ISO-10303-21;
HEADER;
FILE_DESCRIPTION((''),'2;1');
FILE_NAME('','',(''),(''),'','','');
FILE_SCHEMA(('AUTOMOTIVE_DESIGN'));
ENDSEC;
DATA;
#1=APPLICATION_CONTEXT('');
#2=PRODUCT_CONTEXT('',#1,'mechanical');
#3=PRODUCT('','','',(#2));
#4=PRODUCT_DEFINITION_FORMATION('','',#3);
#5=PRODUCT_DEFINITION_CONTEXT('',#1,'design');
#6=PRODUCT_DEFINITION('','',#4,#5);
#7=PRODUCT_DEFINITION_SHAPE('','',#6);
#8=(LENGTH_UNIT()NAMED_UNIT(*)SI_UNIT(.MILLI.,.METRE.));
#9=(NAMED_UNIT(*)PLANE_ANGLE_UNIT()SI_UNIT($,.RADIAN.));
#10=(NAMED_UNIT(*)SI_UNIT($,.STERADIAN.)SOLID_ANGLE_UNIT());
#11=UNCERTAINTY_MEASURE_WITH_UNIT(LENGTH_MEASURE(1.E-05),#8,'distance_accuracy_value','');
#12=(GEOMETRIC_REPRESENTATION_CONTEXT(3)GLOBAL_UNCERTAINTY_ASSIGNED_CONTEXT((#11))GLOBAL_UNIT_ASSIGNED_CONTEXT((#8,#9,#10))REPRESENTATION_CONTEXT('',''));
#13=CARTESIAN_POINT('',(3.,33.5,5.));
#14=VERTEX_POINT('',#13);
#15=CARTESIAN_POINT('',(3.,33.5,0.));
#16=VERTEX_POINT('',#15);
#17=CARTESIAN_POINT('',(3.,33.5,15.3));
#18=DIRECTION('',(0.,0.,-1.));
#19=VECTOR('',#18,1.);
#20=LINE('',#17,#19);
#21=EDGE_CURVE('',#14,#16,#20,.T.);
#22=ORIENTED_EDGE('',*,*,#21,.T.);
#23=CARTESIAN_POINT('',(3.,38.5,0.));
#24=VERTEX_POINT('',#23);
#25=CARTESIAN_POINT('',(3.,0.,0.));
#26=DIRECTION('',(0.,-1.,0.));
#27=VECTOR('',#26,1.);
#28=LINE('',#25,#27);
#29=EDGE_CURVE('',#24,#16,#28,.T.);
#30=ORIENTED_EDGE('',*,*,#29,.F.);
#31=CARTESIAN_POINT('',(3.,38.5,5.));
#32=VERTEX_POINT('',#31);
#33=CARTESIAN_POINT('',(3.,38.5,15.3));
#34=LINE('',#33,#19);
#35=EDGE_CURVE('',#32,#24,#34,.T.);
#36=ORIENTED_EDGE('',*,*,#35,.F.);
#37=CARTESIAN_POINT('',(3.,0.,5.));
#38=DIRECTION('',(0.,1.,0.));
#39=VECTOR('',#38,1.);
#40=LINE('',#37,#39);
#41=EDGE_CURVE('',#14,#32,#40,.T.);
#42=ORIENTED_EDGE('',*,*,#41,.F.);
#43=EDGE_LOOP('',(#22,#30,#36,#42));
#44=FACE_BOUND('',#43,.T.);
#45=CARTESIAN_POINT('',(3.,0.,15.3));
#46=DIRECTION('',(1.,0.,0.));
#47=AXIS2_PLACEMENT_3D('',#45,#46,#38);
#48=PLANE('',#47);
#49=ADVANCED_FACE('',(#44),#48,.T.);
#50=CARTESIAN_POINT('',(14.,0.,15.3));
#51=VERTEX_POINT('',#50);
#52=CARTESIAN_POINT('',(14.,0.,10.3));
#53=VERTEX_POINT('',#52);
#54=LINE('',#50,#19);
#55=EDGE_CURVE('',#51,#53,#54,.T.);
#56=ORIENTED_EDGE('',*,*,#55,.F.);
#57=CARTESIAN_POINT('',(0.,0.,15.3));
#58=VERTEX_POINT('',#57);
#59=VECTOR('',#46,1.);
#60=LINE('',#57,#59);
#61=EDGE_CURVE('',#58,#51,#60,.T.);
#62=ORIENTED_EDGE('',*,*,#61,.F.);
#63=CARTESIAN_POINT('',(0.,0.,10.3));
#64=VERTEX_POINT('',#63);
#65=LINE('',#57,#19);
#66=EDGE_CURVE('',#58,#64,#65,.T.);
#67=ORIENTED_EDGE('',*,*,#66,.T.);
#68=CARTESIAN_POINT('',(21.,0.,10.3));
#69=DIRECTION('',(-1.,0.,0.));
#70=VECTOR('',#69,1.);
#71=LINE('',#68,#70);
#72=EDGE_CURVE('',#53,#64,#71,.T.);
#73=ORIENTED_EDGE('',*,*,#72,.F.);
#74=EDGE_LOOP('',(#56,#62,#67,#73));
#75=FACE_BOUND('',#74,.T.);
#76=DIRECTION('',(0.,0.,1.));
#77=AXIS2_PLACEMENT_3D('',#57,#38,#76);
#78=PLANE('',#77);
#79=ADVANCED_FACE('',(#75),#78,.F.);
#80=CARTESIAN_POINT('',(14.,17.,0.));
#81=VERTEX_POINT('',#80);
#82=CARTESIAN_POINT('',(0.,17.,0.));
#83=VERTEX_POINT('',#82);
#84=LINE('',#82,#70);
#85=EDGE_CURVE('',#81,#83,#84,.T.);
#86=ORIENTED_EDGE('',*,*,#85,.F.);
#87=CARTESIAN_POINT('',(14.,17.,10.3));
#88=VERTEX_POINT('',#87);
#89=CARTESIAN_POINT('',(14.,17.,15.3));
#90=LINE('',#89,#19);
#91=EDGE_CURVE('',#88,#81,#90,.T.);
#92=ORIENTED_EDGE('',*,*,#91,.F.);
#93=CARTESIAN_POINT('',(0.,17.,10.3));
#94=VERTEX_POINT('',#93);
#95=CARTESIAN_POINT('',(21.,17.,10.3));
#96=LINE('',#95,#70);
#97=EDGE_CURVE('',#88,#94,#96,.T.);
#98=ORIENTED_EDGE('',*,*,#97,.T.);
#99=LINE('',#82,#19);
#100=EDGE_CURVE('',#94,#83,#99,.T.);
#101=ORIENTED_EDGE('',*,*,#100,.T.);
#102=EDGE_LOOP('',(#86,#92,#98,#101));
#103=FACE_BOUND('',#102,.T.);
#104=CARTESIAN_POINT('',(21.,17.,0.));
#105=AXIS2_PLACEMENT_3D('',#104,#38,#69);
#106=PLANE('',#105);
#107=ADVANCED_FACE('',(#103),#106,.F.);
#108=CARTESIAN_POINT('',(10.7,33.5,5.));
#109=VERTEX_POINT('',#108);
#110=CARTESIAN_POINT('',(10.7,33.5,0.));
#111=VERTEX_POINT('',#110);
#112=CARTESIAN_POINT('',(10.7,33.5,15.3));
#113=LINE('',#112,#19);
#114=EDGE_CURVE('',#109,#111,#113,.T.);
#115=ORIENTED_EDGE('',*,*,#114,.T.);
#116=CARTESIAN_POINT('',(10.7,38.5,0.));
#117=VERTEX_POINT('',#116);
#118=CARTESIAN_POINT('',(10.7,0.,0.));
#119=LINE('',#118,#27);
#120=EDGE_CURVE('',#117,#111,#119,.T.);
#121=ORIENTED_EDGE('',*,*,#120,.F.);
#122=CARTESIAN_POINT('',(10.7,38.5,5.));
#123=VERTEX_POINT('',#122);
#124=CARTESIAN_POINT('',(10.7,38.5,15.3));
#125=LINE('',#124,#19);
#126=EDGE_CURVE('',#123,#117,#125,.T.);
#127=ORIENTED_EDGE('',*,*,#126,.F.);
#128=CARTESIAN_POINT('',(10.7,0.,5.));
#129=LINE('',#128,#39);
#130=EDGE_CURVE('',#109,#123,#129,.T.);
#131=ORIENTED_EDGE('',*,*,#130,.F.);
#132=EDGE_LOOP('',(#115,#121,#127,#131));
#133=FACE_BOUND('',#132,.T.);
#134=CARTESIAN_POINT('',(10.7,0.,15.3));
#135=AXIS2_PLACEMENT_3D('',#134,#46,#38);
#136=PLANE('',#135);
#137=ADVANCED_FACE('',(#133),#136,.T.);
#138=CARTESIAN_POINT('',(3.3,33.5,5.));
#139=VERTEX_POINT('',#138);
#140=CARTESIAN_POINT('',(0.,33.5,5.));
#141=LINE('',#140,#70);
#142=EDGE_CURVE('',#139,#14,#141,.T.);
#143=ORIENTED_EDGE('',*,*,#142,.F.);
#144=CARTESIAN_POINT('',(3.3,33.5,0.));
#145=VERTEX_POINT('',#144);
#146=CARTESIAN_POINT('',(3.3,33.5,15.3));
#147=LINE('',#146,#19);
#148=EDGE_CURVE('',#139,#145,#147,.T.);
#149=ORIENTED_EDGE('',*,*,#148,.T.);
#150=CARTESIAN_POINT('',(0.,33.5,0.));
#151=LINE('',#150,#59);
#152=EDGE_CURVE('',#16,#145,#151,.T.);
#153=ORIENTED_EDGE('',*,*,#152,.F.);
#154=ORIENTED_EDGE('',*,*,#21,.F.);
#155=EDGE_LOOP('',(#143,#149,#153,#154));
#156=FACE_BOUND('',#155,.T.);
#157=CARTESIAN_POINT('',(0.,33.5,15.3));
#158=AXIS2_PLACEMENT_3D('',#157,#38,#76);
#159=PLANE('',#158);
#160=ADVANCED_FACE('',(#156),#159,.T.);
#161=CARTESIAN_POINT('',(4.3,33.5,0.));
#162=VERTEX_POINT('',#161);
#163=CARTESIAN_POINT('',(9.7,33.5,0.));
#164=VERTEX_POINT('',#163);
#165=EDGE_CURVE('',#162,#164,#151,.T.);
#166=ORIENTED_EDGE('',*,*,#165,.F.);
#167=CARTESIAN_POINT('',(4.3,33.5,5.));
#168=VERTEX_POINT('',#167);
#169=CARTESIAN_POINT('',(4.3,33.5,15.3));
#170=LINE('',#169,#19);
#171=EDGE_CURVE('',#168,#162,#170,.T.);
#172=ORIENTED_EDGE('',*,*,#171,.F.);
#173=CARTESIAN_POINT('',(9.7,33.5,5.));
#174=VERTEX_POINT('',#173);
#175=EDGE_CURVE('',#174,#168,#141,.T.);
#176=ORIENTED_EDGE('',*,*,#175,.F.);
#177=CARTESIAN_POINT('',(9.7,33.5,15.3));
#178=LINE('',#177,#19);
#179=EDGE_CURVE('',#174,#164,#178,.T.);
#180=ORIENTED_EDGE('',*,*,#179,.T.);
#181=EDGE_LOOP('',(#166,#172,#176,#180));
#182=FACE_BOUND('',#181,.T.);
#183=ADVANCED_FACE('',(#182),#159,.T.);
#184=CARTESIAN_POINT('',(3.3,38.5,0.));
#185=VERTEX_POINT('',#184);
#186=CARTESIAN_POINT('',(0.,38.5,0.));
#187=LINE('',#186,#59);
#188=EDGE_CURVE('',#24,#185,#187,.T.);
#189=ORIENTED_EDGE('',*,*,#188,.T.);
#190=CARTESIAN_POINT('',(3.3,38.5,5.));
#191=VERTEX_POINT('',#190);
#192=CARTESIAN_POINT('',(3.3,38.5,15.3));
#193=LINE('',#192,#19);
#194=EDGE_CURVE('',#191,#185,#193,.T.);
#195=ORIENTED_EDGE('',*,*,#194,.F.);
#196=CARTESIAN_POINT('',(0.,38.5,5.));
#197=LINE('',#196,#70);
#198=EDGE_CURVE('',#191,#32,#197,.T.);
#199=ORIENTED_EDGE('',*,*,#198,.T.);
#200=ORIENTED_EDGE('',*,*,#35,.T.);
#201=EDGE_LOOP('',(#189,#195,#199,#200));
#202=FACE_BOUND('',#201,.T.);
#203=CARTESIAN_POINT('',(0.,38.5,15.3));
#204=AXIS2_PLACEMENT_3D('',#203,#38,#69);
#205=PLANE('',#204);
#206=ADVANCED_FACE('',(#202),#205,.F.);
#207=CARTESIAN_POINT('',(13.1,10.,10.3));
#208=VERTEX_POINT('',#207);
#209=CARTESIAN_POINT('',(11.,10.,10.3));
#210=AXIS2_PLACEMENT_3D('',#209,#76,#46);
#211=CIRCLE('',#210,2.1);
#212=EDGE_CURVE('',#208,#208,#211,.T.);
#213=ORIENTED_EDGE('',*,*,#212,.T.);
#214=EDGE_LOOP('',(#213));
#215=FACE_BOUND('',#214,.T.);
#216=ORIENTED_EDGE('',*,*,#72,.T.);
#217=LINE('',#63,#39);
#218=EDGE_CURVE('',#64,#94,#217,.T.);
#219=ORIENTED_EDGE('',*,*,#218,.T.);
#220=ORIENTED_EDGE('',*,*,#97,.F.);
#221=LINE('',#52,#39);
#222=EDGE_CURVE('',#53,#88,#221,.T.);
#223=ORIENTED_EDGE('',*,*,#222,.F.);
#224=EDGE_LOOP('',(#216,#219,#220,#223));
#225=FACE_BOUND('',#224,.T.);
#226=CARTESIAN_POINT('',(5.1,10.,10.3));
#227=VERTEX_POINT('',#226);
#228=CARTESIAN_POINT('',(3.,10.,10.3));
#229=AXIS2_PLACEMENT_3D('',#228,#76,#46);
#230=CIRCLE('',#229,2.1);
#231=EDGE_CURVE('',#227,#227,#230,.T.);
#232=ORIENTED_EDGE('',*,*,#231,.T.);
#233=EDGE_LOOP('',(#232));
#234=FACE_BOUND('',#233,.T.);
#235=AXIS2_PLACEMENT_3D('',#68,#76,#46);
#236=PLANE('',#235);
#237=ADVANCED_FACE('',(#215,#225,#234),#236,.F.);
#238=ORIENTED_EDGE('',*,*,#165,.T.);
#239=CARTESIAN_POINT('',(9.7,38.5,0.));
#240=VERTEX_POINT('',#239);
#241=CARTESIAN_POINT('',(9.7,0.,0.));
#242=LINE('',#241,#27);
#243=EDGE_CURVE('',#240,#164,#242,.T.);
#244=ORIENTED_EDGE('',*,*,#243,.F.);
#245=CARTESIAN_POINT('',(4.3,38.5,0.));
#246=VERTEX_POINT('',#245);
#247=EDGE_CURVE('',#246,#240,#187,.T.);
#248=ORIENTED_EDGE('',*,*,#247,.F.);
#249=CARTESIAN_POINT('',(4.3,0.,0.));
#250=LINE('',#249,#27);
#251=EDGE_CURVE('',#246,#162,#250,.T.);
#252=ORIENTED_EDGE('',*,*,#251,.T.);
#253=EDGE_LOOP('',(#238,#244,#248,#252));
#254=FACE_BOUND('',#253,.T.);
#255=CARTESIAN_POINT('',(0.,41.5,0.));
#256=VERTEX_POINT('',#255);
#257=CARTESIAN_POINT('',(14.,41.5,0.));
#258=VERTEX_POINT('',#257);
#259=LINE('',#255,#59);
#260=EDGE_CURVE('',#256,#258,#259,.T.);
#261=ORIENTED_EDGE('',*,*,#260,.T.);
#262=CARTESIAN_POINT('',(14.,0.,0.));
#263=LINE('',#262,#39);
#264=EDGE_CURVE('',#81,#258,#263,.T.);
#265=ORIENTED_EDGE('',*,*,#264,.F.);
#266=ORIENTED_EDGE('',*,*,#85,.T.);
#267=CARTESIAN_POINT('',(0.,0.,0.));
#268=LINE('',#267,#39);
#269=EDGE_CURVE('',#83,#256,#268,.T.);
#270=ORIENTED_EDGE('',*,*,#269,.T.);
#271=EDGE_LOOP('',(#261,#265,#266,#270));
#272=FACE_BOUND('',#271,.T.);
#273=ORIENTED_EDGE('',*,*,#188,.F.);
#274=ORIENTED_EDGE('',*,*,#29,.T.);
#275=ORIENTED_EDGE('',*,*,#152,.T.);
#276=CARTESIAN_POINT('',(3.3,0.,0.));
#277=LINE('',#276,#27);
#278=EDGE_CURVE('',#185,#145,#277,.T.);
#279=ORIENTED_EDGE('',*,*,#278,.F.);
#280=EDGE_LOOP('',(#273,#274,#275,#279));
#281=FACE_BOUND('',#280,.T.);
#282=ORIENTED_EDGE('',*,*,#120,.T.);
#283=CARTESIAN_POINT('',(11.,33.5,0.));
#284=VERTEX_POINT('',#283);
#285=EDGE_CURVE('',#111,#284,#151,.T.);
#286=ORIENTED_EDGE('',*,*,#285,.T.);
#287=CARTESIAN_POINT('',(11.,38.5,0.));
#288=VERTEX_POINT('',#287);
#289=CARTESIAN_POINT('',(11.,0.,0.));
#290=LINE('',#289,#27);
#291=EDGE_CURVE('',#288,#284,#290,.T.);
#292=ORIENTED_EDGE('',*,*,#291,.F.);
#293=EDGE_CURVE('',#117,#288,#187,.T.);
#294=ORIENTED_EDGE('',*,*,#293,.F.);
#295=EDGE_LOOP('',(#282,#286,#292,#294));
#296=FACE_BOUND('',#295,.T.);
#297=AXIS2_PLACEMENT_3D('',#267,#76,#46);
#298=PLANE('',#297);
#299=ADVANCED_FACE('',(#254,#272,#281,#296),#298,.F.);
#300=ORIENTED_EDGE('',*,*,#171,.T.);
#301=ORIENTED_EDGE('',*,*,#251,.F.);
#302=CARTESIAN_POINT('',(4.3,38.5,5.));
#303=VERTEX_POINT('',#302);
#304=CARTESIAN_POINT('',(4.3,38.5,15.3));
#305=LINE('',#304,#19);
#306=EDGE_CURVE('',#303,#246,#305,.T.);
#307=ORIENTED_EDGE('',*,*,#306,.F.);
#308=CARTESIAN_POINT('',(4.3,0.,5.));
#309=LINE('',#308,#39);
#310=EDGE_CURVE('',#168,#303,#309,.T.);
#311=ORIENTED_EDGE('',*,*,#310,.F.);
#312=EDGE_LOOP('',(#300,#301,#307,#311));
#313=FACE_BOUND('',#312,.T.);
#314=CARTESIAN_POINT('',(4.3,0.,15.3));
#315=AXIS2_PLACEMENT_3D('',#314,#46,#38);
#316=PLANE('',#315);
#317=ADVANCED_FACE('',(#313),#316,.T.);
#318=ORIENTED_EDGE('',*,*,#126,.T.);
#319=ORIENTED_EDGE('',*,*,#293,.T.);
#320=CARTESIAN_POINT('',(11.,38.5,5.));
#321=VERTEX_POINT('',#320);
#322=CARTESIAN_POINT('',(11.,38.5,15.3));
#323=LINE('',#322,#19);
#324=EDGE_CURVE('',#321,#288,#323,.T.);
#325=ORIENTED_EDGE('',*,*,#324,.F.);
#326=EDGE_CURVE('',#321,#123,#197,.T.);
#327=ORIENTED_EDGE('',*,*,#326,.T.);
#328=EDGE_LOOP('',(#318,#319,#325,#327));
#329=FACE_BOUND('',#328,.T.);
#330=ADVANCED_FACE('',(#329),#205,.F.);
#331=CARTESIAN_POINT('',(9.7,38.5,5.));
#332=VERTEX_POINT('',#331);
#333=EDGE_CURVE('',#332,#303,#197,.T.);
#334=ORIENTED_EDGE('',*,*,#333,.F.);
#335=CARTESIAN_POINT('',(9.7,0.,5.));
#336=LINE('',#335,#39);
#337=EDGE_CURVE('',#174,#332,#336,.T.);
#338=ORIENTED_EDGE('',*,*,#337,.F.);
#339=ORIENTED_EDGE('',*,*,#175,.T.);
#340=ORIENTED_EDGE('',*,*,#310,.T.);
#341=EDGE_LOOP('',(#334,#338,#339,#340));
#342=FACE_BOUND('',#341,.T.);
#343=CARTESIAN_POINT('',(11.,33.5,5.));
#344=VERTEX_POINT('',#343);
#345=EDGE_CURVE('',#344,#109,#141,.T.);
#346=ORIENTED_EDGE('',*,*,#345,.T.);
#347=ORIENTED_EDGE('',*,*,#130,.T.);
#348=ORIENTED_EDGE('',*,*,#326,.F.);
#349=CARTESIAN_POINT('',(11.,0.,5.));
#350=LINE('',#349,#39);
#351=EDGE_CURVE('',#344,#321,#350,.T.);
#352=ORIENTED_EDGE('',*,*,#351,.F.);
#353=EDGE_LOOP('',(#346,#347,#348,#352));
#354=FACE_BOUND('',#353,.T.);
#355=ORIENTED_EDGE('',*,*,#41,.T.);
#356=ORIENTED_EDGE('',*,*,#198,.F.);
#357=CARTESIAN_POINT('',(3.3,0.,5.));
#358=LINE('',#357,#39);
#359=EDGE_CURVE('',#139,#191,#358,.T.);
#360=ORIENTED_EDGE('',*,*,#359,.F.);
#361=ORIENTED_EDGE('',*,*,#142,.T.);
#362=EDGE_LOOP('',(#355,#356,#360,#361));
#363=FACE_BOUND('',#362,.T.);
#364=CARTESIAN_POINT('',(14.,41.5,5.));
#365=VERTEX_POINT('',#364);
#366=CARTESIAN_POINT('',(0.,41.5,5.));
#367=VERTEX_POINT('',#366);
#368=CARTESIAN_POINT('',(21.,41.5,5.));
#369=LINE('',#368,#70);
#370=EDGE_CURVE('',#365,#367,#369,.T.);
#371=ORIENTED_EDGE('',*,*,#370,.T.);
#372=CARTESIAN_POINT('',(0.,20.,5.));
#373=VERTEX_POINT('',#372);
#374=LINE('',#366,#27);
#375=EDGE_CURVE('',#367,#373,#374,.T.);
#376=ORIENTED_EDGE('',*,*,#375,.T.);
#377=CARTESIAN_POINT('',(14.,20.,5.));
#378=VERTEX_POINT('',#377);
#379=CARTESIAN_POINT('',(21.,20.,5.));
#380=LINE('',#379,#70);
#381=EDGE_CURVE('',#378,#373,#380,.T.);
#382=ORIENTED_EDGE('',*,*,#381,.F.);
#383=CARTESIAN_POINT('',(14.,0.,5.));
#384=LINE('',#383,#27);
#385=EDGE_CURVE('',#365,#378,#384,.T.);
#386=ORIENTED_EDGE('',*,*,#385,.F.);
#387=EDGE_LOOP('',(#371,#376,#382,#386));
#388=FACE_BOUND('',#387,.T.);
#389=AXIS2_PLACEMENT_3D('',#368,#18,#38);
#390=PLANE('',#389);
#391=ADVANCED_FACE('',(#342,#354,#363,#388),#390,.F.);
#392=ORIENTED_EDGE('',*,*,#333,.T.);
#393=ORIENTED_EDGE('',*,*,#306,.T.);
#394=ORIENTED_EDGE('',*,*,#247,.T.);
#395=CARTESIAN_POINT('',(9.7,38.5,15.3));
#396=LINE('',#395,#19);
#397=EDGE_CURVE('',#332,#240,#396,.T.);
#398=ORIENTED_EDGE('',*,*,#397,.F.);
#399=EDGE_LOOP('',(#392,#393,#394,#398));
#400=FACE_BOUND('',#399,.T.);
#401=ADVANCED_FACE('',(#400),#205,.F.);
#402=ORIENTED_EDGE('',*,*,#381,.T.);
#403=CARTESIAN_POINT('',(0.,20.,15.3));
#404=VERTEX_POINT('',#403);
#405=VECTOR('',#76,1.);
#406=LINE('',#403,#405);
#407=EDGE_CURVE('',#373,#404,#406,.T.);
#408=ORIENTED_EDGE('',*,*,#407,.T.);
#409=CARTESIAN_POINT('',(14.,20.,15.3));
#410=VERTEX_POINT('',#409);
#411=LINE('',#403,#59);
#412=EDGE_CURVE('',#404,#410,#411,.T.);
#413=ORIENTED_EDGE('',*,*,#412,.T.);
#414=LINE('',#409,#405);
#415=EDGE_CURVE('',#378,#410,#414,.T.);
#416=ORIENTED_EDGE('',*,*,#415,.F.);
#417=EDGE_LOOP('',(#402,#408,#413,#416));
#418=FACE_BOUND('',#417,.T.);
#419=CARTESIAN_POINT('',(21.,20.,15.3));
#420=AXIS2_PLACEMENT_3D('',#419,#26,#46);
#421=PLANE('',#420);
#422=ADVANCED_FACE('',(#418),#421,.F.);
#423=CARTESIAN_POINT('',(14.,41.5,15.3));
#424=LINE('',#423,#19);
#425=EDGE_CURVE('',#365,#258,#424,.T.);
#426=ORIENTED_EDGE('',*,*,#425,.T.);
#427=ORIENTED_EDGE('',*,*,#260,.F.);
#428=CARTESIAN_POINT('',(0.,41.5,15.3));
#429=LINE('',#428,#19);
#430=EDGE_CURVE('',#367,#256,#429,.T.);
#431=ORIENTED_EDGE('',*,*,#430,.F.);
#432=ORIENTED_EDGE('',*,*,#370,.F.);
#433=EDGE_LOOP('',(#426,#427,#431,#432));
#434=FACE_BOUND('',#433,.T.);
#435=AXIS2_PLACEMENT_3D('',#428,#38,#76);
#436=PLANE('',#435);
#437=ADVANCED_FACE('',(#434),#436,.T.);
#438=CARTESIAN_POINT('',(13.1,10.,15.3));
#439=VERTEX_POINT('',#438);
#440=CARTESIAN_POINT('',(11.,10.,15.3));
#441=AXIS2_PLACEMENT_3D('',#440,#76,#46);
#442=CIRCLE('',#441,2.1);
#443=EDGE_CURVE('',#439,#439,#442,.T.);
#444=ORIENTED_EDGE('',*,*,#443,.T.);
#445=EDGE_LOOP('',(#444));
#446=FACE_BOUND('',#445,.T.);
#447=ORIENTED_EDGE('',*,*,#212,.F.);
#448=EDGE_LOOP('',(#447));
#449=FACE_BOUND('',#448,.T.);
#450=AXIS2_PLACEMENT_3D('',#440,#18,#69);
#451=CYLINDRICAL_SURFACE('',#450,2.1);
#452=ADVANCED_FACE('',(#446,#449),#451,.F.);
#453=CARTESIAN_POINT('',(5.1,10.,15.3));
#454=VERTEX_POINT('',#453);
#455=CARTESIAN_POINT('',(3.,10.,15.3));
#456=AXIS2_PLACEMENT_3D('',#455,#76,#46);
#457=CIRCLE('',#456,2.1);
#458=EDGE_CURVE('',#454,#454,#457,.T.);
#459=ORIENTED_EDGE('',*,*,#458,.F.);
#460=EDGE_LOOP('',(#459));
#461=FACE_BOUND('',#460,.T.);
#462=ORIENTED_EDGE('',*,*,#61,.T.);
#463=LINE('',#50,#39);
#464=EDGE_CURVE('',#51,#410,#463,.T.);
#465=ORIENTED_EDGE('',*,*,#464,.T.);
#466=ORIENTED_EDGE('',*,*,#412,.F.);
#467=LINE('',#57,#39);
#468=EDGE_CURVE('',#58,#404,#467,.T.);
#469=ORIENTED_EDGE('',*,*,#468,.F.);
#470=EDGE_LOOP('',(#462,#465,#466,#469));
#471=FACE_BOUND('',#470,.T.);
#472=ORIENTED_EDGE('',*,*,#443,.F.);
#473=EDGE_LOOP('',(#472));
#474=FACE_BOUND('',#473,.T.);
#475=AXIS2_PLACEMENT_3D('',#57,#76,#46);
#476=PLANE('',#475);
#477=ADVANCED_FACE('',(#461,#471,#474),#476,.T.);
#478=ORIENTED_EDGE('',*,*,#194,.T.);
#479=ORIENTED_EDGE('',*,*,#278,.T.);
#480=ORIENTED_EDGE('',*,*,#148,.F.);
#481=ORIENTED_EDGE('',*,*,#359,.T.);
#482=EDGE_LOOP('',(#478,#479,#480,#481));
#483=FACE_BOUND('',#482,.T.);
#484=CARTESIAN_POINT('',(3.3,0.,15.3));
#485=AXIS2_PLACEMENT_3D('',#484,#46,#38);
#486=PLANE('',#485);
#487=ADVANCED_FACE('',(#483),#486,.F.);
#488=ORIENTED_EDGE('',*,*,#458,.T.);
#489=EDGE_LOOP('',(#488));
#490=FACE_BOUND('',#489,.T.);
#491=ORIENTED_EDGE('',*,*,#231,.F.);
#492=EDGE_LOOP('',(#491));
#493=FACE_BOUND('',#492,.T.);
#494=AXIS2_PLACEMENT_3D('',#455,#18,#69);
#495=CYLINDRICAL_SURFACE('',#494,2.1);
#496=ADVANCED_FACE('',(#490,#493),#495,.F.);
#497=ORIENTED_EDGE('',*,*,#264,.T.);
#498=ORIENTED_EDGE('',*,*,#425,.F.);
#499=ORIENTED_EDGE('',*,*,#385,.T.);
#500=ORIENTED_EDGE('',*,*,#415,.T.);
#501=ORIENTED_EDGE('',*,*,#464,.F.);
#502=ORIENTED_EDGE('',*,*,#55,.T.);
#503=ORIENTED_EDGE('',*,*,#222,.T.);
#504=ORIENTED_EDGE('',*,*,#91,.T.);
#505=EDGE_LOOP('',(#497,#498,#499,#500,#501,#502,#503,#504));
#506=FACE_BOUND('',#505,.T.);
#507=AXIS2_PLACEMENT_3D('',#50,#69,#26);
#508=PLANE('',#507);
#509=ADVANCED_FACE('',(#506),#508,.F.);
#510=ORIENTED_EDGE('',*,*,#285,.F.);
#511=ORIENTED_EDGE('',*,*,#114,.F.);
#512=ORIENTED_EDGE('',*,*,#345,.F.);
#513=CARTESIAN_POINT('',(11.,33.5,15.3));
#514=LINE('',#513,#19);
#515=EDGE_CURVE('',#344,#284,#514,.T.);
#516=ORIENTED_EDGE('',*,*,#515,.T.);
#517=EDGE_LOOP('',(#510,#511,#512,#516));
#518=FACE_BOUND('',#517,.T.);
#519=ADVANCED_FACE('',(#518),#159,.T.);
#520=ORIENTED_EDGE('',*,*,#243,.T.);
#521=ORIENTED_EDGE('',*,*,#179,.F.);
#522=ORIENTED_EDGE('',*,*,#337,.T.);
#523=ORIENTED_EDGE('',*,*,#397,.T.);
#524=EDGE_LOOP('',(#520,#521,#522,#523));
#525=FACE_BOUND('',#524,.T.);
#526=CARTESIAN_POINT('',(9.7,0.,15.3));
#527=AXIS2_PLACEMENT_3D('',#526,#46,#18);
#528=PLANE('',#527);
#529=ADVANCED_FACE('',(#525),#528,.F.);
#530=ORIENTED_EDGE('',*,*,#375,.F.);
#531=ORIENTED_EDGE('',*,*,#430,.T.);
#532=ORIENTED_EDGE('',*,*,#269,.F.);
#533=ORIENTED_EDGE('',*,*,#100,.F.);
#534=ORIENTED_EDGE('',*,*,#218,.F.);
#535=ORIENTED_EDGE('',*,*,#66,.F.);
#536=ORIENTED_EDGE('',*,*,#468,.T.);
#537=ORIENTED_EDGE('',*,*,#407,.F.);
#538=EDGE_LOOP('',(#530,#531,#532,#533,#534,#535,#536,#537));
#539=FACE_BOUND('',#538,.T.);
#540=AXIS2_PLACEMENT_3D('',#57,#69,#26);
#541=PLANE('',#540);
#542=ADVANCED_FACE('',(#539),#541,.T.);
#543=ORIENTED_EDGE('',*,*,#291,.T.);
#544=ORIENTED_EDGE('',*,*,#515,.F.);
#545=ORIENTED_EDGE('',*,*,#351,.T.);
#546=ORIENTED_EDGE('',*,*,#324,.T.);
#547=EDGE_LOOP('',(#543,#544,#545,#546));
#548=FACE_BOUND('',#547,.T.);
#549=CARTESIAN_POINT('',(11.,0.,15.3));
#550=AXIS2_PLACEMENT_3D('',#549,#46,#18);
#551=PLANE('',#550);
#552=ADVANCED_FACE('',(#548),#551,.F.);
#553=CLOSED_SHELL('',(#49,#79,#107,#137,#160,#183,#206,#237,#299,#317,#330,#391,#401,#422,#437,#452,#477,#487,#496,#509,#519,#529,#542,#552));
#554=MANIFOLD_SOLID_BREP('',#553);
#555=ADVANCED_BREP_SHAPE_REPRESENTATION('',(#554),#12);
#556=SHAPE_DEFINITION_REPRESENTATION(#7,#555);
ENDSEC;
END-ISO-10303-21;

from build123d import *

# Parameters (mm, degrees)
SKETCH1_W           = 14
SKETCH1_H           = 41.5
SKETCH1_R           = 2.1
SKETCH1_W_2         = 1
SKETCH1_H_2         = 5
BOSS_EXTRUDE3_DEPTH = 15.3
SKETCH2_W           = 10.3
SKETCH2_H           = 17
SKETCH2_H_2         = 21.5
CUT_EXTRUDE1_DEPTH  = 21


with BuildPart() as part:
    # Sketch1 → Boss-Extrude3 (new body)
    # profile 1 of 3: a face of its own
    with BuildSketch(Plane.XY):
        with Locations((7, 20.75)):
            Rectangle(SKETCH1_W, SKETCH1_H)
        with Locations((3, 10)):
            Circle(SKETCH1_R, mode=Mode.SUBTRACT)
        with Locations((11, 10)):
            Circle(SKETCH1_R, mode=Mode.SUBTRACT)
        Polygon((3.3, 38.5), (4.3, 38.5), (9.7, 38.5), (10.7, 38.5), (11, 38.5), (11, 33.5), (10.7, 33.5), (9.7, 33.5), (4.3, 33.5), (3.3, 33.5), (3, 33.5), (3, 38.5), align=None, mode=Mode.SUBTRACT)
    # profile 2 of 3: a face of its own
    with BuildSketch(Plane.XY):
        with Locations((3.8, 36)):
            Rectangle(SKETCH1_W_2, SKETCH1_H_2)
    # profile 3 of 3: a face of its own
    with BuildSketch(Plane.XY):
        with Locations((10.2, 36)):
            Rectangle(SKETCH1_W_2, SKETCH1_H_2)
    extrude(amount=BOSS_EXTRUDE3_DEPTH)

    # Sketch2 → Cut-Extrude1 (cut)
    with BuildSketch(Plane.ZY):
        with Locations((5.15, 8.5)):
            Rectangle(SKETCH2_W, SKETCH2_H)
        with Locations((10.15, 30.75)):
            Rectangle(SKETCH2_W, SKETCH2_H_2)
    extrude(amount=-CUT_EXTRUDE1_DEPTH, mode=Mode.SUBTRACT)


solid = part.part
